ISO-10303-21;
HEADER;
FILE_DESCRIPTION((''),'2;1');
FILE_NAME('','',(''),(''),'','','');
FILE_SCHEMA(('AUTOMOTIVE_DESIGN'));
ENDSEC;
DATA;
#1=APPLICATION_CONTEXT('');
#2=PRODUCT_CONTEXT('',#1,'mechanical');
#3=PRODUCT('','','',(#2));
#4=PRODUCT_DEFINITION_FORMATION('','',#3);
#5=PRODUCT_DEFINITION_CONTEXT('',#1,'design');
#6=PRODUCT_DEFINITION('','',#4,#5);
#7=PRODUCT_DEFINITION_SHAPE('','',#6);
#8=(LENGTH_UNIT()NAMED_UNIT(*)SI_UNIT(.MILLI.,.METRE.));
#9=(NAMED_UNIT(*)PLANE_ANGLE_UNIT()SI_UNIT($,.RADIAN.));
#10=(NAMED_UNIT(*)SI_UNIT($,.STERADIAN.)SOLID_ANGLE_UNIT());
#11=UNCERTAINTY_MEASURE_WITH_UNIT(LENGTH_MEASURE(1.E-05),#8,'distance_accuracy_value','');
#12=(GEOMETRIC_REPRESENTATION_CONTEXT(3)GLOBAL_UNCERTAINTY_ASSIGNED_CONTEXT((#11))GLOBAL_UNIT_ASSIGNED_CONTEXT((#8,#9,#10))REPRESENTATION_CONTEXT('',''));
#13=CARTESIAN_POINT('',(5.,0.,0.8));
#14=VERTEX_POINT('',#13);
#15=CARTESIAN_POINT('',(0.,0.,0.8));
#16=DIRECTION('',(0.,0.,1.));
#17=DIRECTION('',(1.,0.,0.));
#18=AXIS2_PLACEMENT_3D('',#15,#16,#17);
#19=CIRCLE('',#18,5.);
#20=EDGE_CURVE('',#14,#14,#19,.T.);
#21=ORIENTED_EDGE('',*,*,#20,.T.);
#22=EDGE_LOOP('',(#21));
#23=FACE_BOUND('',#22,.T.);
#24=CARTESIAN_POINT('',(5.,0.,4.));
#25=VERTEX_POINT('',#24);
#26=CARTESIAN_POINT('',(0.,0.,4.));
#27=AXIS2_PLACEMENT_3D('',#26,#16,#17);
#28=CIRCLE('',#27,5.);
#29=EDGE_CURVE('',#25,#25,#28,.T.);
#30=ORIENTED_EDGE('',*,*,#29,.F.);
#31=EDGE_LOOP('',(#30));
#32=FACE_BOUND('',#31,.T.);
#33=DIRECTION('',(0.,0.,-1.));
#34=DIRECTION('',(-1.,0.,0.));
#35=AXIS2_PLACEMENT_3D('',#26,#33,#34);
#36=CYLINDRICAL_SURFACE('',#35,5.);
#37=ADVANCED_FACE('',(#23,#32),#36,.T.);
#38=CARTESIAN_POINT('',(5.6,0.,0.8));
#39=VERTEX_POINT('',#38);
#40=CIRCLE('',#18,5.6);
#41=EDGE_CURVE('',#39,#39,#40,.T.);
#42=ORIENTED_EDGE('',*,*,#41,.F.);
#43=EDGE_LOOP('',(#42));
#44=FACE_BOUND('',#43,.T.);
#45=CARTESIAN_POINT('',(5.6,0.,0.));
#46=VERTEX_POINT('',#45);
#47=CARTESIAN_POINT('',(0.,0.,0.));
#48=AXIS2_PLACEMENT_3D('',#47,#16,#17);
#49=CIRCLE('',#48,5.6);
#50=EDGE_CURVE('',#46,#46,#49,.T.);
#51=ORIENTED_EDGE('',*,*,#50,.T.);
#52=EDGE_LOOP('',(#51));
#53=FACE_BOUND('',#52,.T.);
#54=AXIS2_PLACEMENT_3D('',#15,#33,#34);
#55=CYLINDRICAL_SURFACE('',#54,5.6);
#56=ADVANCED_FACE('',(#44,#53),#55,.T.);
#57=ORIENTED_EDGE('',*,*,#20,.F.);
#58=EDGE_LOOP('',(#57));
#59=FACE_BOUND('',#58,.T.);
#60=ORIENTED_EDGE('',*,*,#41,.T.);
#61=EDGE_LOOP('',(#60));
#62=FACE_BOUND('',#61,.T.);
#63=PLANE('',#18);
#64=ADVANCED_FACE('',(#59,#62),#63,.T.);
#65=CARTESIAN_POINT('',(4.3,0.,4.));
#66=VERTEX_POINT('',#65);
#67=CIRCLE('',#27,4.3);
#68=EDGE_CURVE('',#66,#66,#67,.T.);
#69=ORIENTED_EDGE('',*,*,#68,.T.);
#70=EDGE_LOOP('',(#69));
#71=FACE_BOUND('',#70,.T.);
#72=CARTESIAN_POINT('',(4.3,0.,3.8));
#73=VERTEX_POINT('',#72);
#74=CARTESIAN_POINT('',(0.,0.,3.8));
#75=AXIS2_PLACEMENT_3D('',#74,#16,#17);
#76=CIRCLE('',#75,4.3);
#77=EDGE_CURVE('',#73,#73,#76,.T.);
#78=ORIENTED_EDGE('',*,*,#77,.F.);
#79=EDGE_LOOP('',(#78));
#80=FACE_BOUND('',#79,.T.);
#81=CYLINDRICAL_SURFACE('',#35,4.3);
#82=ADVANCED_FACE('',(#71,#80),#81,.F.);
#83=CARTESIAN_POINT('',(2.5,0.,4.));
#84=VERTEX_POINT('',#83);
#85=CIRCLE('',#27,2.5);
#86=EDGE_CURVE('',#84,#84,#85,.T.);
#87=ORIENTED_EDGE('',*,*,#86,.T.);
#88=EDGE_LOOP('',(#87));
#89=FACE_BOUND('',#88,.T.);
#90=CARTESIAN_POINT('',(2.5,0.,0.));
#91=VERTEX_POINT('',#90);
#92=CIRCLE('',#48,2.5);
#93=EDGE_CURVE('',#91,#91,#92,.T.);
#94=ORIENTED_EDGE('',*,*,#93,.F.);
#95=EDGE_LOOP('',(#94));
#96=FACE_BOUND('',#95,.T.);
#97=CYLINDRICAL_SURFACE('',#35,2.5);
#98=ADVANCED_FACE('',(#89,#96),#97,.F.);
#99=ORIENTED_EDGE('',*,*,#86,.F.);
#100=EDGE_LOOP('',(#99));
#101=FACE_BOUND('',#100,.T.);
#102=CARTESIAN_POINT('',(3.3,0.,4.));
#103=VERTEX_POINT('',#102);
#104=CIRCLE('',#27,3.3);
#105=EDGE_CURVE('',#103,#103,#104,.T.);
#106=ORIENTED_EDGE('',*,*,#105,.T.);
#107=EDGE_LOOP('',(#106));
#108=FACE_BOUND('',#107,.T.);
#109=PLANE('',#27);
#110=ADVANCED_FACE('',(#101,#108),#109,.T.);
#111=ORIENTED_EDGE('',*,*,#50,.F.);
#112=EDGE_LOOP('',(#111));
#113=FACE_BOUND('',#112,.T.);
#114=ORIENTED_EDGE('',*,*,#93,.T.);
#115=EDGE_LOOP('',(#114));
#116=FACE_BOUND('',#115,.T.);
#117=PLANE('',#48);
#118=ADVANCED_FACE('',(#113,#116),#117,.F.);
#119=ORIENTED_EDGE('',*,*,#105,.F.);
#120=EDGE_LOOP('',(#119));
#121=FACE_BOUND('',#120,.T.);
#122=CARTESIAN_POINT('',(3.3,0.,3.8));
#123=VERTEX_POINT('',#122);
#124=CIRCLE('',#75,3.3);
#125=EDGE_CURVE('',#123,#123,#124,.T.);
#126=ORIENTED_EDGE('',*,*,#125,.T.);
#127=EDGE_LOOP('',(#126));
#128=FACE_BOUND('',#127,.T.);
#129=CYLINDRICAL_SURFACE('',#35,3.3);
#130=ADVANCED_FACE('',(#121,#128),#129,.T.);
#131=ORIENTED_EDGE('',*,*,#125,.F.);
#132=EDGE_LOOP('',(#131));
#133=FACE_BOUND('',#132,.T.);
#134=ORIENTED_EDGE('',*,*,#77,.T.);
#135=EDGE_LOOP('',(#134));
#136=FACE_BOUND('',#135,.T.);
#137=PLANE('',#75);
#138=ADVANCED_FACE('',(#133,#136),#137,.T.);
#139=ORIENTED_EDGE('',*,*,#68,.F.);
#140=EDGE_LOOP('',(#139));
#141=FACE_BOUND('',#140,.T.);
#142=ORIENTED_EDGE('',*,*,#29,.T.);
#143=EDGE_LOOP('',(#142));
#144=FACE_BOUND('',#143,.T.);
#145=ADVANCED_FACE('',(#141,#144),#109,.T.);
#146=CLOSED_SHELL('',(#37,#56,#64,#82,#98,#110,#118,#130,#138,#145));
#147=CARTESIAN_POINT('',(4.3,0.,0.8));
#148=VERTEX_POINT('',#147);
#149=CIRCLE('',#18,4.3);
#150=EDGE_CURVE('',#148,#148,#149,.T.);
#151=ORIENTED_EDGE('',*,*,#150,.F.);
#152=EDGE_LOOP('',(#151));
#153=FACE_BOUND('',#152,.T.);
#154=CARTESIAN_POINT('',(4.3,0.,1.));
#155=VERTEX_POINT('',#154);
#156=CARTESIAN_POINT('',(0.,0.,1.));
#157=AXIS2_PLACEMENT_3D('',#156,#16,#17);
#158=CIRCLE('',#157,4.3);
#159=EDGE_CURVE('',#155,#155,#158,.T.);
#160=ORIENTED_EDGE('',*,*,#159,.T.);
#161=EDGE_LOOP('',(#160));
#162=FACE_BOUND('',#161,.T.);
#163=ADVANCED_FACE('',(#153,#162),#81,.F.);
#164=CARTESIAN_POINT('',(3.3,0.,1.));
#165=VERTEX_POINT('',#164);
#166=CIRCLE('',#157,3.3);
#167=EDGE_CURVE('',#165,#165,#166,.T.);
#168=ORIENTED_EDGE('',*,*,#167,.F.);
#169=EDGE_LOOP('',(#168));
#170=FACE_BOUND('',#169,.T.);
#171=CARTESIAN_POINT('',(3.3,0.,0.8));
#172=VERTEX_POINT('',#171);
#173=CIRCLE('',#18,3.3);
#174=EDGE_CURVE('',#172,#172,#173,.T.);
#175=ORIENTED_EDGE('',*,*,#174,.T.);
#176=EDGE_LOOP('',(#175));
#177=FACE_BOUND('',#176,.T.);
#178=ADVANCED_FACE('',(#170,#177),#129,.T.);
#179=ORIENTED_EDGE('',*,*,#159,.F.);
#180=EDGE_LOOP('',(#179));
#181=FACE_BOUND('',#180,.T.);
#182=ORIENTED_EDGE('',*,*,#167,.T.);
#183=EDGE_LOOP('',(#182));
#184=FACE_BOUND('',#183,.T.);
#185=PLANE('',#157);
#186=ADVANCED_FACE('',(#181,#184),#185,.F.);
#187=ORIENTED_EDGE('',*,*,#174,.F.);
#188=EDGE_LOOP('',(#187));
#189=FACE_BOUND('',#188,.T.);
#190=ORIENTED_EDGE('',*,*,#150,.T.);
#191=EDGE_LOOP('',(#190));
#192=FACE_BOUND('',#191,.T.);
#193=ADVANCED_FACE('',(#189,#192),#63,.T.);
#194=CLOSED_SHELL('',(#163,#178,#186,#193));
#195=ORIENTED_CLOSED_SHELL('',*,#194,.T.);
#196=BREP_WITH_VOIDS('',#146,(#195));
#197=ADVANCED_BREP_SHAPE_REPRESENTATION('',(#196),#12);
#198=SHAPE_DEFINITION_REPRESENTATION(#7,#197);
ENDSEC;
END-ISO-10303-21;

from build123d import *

# Parameters (mm, degrees)
SKETCH1_R        = 5.6
SKETCH1_R_2      = 3.3
FLANGE_DEPTH     = 0.8
SKETCH2_R        = 5
SKETCH2_R_2      = 4.3
OUTER_RING_DEPTH = 3.2
SKETCH3_R        = 3.3
SKETCH3_R_2      = 2.5
INNER_RING_DEPTH = 4
SKETCH4_R        = 4.3
SKETCH4_R_2      = 3.3
SHIELDS_DEPTH    = 2.8


with BuildPart() as part:
    # Sketch1 → Flange (new body)
    with BuildSketch(Plane.XY):
        Circle(SKETCH1_R)
        Circle(SKETCH1_R_2, mode=Mode.SUBTRACT)
    extrude(amount=FLANGE_DEPTH)

    # Sketch2 → Outer_ring (add)
    with BuildSketch(Plane.XY.offset(0.8)):
        Circle(SKETCH2_R)
        Circle(SKETCH2_R_2, mode=Mode.SUBTRACT)
    extrude(amount=OUTER_RING_DEPTH)

    # Sketch3 → Inner_ring (add)
    with BuildSketch(Plane.XY):
        Circle(SKETCH3_R)
        Circle(SKETCH3_R_2, mode=Mode.SUBTRACT)
    extrude(amount=INNER_RING_DEPTH)

    # Sketch4 → Shields (add)
    with BuildSketch(Plane.XY.offset(1)):
        Circle(SKETCH4_R)
        Circle(SKETCH4_R_2, mode=Mode.SUBTRACT)
    extrude(amount=SHIELDS_DEPTH)


solid = part.part
